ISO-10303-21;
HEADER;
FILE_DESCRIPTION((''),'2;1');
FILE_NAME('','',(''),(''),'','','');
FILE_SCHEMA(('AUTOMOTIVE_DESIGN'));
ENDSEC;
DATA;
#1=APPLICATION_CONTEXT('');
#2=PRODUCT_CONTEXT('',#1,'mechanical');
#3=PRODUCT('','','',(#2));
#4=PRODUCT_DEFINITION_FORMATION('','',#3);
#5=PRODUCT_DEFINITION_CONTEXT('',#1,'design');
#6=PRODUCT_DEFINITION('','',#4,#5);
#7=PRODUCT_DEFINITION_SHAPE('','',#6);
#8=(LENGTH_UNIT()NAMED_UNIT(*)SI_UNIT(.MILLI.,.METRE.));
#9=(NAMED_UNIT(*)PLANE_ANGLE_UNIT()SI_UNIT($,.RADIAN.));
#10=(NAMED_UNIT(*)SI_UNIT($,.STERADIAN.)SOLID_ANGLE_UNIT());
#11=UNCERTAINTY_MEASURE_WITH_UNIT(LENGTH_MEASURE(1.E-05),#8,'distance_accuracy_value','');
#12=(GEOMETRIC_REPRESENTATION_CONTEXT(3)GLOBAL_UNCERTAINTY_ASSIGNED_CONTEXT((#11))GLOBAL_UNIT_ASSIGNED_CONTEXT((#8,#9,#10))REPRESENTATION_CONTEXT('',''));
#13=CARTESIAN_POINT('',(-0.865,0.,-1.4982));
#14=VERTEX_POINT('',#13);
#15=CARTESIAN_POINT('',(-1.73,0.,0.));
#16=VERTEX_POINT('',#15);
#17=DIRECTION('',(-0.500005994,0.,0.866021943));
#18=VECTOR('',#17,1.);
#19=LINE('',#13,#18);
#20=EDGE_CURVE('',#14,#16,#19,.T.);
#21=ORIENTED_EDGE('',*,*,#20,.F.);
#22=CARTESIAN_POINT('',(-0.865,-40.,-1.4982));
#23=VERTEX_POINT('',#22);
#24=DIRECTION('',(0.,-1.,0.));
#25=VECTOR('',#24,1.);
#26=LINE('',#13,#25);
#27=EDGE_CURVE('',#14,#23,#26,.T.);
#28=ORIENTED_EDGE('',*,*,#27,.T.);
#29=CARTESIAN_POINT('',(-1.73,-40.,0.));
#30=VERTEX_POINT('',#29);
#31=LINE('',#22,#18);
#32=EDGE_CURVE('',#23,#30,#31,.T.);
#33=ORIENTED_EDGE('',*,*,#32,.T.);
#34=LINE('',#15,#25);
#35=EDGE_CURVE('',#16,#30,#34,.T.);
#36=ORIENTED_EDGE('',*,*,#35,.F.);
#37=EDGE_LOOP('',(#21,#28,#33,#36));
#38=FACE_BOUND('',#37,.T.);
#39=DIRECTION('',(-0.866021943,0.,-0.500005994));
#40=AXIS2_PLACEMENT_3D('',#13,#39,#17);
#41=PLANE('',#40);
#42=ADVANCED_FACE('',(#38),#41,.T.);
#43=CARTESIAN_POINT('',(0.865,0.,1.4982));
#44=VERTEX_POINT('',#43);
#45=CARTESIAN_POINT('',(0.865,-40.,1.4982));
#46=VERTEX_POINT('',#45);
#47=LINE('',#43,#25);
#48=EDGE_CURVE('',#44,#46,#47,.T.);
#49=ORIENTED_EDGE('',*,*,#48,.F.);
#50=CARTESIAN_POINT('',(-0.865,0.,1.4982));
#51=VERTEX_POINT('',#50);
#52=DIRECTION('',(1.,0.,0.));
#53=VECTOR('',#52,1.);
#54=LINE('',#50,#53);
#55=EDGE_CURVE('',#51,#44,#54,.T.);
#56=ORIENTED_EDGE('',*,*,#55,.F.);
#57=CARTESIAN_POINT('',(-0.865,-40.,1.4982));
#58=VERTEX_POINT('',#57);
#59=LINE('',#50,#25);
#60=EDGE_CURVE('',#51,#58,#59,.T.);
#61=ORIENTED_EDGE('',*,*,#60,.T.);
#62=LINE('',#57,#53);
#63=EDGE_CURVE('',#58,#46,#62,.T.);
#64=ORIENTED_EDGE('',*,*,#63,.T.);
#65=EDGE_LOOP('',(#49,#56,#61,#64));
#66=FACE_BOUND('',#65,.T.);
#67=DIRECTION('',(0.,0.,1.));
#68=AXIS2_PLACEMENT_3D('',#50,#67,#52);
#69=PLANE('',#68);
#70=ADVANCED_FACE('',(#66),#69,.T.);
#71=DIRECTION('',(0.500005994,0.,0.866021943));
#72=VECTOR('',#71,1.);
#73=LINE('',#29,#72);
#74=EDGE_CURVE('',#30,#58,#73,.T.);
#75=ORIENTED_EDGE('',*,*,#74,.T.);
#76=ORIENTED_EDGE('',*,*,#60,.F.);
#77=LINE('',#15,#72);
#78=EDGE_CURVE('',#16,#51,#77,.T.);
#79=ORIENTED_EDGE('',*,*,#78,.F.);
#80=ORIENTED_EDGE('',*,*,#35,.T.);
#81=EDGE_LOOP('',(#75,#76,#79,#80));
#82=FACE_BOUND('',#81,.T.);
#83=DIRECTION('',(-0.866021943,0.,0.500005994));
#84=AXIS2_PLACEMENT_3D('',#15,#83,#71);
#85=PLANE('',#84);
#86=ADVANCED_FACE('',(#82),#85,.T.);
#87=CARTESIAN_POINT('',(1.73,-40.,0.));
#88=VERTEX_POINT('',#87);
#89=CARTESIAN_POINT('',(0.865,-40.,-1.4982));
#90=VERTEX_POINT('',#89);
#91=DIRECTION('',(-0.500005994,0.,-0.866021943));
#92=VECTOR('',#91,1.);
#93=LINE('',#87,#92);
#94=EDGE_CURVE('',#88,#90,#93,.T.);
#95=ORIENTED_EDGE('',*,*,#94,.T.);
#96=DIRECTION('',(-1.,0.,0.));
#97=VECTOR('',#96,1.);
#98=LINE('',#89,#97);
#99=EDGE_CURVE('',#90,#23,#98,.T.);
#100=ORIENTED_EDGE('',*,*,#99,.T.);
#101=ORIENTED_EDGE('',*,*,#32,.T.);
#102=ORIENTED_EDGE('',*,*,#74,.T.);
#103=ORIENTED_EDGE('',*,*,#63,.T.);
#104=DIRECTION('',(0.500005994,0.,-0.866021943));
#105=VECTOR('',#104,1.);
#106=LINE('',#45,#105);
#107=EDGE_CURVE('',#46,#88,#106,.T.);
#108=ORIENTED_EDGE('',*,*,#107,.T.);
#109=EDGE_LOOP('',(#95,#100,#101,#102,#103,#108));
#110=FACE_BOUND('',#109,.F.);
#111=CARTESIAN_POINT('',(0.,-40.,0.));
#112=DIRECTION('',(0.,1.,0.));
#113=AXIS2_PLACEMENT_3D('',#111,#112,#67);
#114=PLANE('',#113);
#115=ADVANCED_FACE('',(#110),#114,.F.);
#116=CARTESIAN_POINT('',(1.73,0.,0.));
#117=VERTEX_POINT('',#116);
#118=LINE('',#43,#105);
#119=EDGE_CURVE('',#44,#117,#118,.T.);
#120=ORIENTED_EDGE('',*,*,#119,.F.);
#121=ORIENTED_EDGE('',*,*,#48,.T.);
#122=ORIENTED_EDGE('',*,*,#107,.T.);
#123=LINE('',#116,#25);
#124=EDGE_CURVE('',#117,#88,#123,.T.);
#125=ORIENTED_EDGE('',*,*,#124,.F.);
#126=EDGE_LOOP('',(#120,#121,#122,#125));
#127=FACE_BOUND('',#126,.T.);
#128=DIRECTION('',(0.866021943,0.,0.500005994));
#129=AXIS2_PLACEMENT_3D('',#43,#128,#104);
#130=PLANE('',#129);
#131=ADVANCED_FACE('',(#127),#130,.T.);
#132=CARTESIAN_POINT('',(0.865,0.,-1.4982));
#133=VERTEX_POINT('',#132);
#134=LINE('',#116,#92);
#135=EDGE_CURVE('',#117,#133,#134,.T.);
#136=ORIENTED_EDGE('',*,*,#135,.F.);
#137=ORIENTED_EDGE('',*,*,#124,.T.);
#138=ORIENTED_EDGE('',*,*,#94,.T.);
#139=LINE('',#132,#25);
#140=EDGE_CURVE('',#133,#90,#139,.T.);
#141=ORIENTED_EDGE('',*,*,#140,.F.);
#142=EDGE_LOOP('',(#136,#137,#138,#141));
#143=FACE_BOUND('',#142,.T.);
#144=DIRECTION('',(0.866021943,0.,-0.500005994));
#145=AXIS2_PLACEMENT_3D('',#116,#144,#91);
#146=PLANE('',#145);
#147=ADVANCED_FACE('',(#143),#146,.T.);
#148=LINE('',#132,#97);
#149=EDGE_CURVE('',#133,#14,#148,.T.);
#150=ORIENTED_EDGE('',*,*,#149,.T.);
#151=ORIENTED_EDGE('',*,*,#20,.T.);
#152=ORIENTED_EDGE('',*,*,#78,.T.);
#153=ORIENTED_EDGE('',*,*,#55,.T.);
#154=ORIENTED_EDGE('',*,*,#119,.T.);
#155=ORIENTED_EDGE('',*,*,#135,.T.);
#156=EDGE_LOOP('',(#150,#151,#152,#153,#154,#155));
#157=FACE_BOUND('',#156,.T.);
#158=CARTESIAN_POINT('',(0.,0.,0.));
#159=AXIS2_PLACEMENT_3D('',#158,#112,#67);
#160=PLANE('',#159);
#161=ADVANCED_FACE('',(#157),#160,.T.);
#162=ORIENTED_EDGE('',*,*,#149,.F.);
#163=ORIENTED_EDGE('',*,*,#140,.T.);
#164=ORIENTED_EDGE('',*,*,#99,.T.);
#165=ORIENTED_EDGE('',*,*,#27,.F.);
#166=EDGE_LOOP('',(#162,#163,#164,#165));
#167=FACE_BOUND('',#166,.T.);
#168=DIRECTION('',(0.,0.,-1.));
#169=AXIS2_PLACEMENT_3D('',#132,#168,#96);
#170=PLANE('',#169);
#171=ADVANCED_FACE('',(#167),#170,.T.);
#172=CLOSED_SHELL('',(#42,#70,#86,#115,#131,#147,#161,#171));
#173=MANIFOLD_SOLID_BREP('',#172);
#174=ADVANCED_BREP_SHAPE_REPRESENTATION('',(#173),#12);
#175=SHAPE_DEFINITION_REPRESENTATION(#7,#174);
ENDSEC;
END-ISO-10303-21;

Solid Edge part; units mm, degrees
sketch "Sketch1" plane through (0, 0, 0) normal (0, -1, 0) x (1, 0, 0)
  line L0 (-0.865, 1.4982) -> (0.865, 1.4982)
  line L1 (0.865, 1.4982) -> (1.73, 0)
  line L2 (1.73, 0) -> (0.865, -1.4982)
  line L3 (0.865, -1.4982) -> (-0.865, -1.4982)
  line L4 (-0.865, -1.4982) -> (-1.73, 0)
  line L5 (-1.73, 0) -> (-0.865, 1.4982)
  dimension "D1" = 1.73
  dimension "D2" = 1.73
  dimension "D3" = 1.73
  dimension "D4" = 1.73
  dimension "D5" = 1.73
  dimension "D6" = 1.73
extrude "Protrusion1" add sketch "Sketch1" along normal blind 40
properties material "ABS Plastic, high impact"
